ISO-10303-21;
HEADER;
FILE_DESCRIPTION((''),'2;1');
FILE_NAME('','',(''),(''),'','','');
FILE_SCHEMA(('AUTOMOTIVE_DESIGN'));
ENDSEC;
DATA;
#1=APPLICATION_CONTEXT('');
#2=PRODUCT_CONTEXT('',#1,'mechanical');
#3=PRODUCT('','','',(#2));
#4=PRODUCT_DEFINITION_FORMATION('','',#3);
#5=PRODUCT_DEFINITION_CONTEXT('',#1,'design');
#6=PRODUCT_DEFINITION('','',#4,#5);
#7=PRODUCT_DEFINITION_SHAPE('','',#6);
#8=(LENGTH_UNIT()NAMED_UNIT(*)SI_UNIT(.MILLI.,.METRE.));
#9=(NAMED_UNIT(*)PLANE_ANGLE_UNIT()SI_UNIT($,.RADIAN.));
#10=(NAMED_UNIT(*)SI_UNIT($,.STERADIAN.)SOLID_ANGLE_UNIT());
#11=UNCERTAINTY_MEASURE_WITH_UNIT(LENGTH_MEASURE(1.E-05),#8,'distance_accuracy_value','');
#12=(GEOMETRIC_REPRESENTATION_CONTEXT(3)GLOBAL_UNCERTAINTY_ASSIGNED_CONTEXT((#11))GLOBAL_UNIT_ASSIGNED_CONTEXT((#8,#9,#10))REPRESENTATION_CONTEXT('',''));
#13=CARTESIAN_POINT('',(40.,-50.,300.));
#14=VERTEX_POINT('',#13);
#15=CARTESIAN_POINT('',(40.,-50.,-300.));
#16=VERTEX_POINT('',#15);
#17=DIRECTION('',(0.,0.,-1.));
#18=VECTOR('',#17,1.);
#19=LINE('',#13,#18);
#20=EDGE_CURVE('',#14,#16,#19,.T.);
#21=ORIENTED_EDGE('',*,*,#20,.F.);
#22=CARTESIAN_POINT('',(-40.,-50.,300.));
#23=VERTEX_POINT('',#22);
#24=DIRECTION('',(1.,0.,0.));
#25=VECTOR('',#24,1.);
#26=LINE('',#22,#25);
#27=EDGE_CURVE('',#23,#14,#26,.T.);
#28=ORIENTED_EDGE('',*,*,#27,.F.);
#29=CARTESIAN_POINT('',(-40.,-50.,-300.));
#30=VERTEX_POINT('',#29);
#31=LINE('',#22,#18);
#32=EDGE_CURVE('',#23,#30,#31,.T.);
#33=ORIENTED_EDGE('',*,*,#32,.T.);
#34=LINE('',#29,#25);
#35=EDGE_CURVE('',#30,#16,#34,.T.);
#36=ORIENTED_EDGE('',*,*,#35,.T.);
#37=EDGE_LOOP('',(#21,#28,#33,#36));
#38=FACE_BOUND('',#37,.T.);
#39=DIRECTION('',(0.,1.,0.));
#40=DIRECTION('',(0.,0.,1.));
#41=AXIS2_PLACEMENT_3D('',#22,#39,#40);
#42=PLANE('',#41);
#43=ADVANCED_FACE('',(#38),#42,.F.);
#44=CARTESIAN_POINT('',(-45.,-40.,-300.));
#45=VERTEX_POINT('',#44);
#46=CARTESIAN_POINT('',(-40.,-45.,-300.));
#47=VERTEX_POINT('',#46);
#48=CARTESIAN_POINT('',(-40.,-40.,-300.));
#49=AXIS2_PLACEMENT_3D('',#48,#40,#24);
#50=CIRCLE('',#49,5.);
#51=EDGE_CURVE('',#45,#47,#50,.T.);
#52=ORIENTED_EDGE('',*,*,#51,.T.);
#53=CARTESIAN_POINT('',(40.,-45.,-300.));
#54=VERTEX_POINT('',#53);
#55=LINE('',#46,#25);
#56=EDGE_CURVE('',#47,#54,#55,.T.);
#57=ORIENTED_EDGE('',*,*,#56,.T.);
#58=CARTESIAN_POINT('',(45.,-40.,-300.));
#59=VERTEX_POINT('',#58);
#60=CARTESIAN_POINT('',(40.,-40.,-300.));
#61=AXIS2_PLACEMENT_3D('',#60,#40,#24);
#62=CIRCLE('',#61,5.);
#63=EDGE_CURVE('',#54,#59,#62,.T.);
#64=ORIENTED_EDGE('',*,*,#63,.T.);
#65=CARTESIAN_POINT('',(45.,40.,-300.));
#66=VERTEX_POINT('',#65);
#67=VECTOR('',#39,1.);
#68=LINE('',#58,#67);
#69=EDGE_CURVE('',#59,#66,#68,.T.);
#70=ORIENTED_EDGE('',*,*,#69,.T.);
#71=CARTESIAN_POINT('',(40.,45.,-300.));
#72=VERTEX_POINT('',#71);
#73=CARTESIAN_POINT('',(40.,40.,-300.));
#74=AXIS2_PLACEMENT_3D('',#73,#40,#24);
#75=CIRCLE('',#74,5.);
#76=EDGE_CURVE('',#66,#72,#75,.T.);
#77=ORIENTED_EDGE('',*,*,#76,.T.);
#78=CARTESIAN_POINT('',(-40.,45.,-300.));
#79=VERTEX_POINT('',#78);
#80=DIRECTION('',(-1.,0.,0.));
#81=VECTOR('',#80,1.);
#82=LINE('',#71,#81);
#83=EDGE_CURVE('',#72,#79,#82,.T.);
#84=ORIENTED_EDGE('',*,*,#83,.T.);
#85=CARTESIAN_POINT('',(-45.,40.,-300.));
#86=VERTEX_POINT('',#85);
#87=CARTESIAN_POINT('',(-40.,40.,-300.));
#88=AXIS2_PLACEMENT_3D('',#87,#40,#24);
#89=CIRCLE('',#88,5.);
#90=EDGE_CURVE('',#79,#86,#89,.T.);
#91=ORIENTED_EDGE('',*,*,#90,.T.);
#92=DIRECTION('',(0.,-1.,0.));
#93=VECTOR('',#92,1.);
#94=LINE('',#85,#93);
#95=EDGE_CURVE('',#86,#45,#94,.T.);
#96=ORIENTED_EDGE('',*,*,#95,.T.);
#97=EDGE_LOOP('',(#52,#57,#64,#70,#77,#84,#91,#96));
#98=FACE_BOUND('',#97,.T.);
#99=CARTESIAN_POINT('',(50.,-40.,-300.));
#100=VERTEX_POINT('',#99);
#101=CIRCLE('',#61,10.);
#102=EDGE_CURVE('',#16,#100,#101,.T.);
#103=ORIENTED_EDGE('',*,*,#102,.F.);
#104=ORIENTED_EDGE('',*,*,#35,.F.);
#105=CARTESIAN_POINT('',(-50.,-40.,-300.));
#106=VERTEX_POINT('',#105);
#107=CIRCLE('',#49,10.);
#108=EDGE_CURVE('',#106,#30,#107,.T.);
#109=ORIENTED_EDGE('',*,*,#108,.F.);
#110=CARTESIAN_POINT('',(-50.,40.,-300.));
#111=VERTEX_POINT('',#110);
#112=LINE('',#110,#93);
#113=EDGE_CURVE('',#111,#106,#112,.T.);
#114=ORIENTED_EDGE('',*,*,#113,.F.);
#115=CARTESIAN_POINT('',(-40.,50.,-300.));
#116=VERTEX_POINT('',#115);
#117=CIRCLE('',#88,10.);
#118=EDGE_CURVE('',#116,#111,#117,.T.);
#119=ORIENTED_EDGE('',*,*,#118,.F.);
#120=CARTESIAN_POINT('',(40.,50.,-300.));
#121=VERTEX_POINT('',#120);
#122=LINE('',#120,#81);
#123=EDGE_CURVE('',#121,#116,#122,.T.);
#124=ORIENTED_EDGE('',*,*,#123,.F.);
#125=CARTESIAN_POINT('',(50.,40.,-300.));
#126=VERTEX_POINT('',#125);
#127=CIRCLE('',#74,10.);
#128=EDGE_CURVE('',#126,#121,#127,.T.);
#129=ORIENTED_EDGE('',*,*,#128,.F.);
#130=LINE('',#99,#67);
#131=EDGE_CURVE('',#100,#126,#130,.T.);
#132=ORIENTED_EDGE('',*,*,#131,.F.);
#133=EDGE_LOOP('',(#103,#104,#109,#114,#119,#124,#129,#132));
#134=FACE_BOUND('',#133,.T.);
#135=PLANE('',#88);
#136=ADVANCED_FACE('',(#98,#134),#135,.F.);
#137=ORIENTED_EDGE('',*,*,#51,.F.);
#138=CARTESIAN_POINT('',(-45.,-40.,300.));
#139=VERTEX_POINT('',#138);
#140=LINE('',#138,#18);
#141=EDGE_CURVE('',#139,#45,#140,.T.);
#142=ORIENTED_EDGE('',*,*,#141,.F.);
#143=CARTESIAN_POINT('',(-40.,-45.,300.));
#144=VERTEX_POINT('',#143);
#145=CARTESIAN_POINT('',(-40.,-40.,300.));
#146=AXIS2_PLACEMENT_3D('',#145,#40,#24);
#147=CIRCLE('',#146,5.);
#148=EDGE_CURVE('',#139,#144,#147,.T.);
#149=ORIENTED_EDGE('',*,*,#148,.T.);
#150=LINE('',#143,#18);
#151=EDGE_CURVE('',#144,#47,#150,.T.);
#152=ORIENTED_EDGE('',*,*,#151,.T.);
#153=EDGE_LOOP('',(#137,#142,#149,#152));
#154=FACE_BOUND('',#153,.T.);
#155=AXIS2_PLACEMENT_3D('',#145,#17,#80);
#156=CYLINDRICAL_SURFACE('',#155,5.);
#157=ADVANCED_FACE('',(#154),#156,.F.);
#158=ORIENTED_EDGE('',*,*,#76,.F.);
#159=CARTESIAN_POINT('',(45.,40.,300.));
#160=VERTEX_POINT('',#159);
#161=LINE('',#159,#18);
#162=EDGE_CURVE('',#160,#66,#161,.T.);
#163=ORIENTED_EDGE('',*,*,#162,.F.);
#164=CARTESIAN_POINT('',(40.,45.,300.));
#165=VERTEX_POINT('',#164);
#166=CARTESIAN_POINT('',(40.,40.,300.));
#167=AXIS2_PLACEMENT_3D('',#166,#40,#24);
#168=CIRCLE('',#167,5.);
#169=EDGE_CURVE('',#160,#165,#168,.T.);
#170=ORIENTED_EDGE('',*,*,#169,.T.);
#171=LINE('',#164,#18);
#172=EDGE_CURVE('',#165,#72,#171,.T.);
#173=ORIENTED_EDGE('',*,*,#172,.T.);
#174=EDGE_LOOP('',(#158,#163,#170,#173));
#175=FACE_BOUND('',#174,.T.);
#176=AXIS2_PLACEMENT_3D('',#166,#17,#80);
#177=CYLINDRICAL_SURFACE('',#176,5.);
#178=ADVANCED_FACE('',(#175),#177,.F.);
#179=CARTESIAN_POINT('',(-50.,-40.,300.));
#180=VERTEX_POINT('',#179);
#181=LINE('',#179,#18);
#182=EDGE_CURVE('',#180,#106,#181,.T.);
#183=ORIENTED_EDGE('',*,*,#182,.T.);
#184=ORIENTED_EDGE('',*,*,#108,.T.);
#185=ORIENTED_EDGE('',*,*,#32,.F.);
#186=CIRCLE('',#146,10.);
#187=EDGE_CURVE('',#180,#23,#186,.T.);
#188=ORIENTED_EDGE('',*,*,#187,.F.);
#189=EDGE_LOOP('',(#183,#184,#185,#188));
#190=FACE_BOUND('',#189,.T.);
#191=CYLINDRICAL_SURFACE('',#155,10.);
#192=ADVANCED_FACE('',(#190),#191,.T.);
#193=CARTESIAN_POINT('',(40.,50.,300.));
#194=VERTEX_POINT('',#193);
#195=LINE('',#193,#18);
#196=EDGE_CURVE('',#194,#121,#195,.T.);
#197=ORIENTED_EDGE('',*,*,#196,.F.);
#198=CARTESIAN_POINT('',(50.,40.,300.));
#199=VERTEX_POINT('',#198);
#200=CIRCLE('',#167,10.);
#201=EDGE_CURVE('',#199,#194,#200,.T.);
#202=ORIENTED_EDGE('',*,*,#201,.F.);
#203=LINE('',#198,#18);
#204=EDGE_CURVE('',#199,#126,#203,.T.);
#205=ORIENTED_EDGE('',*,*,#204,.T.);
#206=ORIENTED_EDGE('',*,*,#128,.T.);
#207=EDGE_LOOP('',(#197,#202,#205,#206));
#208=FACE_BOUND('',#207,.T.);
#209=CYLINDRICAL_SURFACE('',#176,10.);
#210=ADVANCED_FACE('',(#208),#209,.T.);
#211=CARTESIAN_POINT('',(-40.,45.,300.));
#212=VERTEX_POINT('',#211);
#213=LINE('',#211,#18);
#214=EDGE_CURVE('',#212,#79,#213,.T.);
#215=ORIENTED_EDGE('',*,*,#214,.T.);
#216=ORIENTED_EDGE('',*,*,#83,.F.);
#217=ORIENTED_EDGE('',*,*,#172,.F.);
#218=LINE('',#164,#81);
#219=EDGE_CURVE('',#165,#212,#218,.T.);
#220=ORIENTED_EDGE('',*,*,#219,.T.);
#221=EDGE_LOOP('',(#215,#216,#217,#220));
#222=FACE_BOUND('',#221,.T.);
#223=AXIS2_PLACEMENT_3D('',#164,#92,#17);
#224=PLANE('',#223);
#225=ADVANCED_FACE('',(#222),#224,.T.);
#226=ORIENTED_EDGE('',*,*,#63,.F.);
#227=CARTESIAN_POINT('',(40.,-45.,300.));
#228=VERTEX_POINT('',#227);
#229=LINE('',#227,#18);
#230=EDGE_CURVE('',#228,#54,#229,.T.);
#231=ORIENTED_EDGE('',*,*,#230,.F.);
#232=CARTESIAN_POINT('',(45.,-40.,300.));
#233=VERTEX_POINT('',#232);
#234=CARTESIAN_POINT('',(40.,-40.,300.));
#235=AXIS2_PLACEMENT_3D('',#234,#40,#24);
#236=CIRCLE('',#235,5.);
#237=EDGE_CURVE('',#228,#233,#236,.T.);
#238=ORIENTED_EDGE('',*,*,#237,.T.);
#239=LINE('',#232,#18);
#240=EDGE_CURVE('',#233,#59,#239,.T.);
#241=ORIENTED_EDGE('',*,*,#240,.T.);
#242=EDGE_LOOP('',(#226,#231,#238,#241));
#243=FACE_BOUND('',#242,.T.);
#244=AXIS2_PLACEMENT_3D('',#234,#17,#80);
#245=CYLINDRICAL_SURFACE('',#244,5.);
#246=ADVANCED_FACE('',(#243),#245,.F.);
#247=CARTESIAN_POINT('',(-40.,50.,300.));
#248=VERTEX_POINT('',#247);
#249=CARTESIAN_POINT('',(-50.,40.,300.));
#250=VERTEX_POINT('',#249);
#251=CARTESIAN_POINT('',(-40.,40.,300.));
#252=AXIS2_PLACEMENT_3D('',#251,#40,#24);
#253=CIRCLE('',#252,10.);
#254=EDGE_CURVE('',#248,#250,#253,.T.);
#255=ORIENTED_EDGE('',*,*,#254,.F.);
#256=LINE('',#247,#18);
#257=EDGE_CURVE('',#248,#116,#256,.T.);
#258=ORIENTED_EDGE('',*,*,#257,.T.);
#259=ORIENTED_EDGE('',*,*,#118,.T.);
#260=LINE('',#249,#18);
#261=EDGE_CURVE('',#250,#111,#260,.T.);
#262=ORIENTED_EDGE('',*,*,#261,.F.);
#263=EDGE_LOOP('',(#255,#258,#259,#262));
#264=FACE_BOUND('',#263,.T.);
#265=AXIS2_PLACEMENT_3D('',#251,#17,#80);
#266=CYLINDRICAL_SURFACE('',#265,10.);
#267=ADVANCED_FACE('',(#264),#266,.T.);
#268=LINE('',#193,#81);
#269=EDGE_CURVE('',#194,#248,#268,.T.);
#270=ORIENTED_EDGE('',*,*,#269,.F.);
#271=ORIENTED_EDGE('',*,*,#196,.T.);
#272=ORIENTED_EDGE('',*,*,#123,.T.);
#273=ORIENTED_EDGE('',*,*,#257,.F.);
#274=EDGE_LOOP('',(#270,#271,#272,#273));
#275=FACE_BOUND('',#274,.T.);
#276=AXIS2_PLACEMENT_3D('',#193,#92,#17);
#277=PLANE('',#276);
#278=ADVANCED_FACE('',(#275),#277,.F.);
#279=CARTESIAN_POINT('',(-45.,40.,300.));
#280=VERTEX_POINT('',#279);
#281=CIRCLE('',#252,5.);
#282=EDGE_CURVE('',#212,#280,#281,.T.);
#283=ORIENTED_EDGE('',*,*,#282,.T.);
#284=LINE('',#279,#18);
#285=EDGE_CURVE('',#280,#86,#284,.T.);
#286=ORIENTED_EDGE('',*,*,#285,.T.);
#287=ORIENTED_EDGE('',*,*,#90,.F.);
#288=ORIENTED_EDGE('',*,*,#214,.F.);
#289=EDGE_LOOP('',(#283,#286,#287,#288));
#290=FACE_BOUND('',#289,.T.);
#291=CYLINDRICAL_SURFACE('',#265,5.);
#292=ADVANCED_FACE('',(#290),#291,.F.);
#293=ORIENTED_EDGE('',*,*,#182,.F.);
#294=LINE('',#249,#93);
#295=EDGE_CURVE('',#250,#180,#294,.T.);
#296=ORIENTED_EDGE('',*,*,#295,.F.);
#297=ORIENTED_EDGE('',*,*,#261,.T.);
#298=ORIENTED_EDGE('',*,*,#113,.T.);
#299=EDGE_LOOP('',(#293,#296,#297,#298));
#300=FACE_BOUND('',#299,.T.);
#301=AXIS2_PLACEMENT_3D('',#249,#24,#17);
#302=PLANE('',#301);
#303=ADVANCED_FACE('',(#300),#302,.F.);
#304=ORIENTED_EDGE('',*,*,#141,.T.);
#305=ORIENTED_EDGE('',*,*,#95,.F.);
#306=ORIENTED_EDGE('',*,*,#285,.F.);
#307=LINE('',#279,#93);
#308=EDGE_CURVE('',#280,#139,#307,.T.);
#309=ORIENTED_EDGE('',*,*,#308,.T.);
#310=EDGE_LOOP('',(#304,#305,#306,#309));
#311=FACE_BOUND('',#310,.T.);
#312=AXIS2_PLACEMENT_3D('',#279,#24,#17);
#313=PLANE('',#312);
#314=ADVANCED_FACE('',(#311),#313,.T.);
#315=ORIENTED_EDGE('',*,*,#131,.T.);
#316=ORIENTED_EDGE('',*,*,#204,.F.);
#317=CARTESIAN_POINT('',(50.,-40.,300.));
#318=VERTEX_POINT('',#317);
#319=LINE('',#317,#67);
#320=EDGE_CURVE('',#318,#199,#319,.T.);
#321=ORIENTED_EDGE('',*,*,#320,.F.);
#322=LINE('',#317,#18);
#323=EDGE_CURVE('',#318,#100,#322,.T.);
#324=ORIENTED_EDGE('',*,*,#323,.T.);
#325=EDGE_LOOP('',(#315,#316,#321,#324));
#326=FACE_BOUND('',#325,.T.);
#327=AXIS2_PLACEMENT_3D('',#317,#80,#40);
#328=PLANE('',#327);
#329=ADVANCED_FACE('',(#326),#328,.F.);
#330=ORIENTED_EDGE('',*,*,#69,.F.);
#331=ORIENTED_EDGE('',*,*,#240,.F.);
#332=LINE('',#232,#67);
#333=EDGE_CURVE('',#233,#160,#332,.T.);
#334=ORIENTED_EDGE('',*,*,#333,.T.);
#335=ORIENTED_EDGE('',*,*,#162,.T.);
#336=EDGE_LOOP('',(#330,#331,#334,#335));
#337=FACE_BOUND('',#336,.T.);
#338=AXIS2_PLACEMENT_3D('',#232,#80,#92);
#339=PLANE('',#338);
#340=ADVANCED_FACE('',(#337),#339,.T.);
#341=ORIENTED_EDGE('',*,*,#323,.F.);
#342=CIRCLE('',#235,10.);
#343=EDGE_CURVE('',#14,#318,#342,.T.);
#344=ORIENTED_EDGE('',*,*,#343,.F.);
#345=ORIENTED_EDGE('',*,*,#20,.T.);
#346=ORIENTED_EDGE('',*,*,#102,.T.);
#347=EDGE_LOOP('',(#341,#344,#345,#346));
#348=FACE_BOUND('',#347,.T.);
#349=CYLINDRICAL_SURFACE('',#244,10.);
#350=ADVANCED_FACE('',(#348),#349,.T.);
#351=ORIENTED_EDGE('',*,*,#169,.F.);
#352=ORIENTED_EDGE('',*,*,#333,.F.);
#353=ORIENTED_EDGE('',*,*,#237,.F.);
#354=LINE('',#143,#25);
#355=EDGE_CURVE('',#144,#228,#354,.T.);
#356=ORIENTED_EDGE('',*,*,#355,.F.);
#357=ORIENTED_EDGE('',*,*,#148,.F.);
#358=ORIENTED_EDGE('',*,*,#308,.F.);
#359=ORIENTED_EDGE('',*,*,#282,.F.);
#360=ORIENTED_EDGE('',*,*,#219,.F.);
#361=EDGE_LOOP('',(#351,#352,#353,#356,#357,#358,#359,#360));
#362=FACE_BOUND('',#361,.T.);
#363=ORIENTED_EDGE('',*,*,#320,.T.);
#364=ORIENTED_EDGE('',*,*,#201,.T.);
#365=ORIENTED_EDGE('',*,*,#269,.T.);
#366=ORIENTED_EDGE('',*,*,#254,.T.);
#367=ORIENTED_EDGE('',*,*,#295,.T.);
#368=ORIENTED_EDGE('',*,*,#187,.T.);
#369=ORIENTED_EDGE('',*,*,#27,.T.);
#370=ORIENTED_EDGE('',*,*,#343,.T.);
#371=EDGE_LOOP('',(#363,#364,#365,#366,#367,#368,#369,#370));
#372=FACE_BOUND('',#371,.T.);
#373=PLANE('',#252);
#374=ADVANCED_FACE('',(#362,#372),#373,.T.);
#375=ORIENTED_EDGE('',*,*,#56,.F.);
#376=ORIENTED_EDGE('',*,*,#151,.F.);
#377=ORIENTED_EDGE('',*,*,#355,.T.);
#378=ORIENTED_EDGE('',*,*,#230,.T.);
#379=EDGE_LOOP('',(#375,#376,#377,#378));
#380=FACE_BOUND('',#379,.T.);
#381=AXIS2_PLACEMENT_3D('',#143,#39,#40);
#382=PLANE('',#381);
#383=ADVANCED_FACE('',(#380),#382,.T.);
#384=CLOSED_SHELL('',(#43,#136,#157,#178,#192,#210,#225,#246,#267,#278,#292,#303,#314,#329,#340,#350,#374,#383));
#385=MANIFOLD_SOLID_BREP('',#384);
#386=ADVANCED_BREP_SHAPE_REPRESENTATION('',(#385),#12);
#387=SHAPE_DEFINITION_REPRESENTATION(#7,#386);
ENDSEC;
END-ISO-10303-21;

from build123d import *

# Parameters (mm, degrees)
BOSS_EXTRUDE1_DEPTH = 300


with BuildPart() as part:
    # Sketch2 → Boss-Extrude1 (new body, symmetric)
    with BuildSketch(Plane.XY):
        with BuildLine():
            Line((-50, 40), (-50, -40))
            ThreePointArc((-50, -40), (-47.071067812, -47.071067812), (-40, -50))
            Line((-40, -50), (40, -50))
            ThreePointArc((40, -50), (47.071067812, -47.071067812), (50, -40))
            Line((50, -40), (50, 40))
            ThreePointArc((50, 40), (47.071067812, 47.071067812), (40, 50))
            Line((40, 50), (-40, 50))
            ThreePointArc((-40, 50), (-47.071067812, 47.071067812), (-50, 40))
        make_face()
        with BuildLine():
            Line((40, 45), (-40, 45))
            ThreePointArc((-40, 45), (-43.535533906, 43.535533906), (-45, 40))
            Line((-45, 40), (-45, -40))
            ThreePointArc((-45, -40), (-43.535533906, -43.535533906), (-40, -45))
            Line((-40, -45), (40, -45))
            ThreePointArc((40, -45), (43.535533906, -43.535533906), (45, -40))
            Line((45, -40), (45, 40))
            ThreePointArc((45, 40), (43.535533906, 43.535533906), (40, 45))
        make_face(mode=Mode.SUBTRACT)
    extrude(amount=BOSS_EXTRUDE1_DEPTH, both=True)


solid = part.part
